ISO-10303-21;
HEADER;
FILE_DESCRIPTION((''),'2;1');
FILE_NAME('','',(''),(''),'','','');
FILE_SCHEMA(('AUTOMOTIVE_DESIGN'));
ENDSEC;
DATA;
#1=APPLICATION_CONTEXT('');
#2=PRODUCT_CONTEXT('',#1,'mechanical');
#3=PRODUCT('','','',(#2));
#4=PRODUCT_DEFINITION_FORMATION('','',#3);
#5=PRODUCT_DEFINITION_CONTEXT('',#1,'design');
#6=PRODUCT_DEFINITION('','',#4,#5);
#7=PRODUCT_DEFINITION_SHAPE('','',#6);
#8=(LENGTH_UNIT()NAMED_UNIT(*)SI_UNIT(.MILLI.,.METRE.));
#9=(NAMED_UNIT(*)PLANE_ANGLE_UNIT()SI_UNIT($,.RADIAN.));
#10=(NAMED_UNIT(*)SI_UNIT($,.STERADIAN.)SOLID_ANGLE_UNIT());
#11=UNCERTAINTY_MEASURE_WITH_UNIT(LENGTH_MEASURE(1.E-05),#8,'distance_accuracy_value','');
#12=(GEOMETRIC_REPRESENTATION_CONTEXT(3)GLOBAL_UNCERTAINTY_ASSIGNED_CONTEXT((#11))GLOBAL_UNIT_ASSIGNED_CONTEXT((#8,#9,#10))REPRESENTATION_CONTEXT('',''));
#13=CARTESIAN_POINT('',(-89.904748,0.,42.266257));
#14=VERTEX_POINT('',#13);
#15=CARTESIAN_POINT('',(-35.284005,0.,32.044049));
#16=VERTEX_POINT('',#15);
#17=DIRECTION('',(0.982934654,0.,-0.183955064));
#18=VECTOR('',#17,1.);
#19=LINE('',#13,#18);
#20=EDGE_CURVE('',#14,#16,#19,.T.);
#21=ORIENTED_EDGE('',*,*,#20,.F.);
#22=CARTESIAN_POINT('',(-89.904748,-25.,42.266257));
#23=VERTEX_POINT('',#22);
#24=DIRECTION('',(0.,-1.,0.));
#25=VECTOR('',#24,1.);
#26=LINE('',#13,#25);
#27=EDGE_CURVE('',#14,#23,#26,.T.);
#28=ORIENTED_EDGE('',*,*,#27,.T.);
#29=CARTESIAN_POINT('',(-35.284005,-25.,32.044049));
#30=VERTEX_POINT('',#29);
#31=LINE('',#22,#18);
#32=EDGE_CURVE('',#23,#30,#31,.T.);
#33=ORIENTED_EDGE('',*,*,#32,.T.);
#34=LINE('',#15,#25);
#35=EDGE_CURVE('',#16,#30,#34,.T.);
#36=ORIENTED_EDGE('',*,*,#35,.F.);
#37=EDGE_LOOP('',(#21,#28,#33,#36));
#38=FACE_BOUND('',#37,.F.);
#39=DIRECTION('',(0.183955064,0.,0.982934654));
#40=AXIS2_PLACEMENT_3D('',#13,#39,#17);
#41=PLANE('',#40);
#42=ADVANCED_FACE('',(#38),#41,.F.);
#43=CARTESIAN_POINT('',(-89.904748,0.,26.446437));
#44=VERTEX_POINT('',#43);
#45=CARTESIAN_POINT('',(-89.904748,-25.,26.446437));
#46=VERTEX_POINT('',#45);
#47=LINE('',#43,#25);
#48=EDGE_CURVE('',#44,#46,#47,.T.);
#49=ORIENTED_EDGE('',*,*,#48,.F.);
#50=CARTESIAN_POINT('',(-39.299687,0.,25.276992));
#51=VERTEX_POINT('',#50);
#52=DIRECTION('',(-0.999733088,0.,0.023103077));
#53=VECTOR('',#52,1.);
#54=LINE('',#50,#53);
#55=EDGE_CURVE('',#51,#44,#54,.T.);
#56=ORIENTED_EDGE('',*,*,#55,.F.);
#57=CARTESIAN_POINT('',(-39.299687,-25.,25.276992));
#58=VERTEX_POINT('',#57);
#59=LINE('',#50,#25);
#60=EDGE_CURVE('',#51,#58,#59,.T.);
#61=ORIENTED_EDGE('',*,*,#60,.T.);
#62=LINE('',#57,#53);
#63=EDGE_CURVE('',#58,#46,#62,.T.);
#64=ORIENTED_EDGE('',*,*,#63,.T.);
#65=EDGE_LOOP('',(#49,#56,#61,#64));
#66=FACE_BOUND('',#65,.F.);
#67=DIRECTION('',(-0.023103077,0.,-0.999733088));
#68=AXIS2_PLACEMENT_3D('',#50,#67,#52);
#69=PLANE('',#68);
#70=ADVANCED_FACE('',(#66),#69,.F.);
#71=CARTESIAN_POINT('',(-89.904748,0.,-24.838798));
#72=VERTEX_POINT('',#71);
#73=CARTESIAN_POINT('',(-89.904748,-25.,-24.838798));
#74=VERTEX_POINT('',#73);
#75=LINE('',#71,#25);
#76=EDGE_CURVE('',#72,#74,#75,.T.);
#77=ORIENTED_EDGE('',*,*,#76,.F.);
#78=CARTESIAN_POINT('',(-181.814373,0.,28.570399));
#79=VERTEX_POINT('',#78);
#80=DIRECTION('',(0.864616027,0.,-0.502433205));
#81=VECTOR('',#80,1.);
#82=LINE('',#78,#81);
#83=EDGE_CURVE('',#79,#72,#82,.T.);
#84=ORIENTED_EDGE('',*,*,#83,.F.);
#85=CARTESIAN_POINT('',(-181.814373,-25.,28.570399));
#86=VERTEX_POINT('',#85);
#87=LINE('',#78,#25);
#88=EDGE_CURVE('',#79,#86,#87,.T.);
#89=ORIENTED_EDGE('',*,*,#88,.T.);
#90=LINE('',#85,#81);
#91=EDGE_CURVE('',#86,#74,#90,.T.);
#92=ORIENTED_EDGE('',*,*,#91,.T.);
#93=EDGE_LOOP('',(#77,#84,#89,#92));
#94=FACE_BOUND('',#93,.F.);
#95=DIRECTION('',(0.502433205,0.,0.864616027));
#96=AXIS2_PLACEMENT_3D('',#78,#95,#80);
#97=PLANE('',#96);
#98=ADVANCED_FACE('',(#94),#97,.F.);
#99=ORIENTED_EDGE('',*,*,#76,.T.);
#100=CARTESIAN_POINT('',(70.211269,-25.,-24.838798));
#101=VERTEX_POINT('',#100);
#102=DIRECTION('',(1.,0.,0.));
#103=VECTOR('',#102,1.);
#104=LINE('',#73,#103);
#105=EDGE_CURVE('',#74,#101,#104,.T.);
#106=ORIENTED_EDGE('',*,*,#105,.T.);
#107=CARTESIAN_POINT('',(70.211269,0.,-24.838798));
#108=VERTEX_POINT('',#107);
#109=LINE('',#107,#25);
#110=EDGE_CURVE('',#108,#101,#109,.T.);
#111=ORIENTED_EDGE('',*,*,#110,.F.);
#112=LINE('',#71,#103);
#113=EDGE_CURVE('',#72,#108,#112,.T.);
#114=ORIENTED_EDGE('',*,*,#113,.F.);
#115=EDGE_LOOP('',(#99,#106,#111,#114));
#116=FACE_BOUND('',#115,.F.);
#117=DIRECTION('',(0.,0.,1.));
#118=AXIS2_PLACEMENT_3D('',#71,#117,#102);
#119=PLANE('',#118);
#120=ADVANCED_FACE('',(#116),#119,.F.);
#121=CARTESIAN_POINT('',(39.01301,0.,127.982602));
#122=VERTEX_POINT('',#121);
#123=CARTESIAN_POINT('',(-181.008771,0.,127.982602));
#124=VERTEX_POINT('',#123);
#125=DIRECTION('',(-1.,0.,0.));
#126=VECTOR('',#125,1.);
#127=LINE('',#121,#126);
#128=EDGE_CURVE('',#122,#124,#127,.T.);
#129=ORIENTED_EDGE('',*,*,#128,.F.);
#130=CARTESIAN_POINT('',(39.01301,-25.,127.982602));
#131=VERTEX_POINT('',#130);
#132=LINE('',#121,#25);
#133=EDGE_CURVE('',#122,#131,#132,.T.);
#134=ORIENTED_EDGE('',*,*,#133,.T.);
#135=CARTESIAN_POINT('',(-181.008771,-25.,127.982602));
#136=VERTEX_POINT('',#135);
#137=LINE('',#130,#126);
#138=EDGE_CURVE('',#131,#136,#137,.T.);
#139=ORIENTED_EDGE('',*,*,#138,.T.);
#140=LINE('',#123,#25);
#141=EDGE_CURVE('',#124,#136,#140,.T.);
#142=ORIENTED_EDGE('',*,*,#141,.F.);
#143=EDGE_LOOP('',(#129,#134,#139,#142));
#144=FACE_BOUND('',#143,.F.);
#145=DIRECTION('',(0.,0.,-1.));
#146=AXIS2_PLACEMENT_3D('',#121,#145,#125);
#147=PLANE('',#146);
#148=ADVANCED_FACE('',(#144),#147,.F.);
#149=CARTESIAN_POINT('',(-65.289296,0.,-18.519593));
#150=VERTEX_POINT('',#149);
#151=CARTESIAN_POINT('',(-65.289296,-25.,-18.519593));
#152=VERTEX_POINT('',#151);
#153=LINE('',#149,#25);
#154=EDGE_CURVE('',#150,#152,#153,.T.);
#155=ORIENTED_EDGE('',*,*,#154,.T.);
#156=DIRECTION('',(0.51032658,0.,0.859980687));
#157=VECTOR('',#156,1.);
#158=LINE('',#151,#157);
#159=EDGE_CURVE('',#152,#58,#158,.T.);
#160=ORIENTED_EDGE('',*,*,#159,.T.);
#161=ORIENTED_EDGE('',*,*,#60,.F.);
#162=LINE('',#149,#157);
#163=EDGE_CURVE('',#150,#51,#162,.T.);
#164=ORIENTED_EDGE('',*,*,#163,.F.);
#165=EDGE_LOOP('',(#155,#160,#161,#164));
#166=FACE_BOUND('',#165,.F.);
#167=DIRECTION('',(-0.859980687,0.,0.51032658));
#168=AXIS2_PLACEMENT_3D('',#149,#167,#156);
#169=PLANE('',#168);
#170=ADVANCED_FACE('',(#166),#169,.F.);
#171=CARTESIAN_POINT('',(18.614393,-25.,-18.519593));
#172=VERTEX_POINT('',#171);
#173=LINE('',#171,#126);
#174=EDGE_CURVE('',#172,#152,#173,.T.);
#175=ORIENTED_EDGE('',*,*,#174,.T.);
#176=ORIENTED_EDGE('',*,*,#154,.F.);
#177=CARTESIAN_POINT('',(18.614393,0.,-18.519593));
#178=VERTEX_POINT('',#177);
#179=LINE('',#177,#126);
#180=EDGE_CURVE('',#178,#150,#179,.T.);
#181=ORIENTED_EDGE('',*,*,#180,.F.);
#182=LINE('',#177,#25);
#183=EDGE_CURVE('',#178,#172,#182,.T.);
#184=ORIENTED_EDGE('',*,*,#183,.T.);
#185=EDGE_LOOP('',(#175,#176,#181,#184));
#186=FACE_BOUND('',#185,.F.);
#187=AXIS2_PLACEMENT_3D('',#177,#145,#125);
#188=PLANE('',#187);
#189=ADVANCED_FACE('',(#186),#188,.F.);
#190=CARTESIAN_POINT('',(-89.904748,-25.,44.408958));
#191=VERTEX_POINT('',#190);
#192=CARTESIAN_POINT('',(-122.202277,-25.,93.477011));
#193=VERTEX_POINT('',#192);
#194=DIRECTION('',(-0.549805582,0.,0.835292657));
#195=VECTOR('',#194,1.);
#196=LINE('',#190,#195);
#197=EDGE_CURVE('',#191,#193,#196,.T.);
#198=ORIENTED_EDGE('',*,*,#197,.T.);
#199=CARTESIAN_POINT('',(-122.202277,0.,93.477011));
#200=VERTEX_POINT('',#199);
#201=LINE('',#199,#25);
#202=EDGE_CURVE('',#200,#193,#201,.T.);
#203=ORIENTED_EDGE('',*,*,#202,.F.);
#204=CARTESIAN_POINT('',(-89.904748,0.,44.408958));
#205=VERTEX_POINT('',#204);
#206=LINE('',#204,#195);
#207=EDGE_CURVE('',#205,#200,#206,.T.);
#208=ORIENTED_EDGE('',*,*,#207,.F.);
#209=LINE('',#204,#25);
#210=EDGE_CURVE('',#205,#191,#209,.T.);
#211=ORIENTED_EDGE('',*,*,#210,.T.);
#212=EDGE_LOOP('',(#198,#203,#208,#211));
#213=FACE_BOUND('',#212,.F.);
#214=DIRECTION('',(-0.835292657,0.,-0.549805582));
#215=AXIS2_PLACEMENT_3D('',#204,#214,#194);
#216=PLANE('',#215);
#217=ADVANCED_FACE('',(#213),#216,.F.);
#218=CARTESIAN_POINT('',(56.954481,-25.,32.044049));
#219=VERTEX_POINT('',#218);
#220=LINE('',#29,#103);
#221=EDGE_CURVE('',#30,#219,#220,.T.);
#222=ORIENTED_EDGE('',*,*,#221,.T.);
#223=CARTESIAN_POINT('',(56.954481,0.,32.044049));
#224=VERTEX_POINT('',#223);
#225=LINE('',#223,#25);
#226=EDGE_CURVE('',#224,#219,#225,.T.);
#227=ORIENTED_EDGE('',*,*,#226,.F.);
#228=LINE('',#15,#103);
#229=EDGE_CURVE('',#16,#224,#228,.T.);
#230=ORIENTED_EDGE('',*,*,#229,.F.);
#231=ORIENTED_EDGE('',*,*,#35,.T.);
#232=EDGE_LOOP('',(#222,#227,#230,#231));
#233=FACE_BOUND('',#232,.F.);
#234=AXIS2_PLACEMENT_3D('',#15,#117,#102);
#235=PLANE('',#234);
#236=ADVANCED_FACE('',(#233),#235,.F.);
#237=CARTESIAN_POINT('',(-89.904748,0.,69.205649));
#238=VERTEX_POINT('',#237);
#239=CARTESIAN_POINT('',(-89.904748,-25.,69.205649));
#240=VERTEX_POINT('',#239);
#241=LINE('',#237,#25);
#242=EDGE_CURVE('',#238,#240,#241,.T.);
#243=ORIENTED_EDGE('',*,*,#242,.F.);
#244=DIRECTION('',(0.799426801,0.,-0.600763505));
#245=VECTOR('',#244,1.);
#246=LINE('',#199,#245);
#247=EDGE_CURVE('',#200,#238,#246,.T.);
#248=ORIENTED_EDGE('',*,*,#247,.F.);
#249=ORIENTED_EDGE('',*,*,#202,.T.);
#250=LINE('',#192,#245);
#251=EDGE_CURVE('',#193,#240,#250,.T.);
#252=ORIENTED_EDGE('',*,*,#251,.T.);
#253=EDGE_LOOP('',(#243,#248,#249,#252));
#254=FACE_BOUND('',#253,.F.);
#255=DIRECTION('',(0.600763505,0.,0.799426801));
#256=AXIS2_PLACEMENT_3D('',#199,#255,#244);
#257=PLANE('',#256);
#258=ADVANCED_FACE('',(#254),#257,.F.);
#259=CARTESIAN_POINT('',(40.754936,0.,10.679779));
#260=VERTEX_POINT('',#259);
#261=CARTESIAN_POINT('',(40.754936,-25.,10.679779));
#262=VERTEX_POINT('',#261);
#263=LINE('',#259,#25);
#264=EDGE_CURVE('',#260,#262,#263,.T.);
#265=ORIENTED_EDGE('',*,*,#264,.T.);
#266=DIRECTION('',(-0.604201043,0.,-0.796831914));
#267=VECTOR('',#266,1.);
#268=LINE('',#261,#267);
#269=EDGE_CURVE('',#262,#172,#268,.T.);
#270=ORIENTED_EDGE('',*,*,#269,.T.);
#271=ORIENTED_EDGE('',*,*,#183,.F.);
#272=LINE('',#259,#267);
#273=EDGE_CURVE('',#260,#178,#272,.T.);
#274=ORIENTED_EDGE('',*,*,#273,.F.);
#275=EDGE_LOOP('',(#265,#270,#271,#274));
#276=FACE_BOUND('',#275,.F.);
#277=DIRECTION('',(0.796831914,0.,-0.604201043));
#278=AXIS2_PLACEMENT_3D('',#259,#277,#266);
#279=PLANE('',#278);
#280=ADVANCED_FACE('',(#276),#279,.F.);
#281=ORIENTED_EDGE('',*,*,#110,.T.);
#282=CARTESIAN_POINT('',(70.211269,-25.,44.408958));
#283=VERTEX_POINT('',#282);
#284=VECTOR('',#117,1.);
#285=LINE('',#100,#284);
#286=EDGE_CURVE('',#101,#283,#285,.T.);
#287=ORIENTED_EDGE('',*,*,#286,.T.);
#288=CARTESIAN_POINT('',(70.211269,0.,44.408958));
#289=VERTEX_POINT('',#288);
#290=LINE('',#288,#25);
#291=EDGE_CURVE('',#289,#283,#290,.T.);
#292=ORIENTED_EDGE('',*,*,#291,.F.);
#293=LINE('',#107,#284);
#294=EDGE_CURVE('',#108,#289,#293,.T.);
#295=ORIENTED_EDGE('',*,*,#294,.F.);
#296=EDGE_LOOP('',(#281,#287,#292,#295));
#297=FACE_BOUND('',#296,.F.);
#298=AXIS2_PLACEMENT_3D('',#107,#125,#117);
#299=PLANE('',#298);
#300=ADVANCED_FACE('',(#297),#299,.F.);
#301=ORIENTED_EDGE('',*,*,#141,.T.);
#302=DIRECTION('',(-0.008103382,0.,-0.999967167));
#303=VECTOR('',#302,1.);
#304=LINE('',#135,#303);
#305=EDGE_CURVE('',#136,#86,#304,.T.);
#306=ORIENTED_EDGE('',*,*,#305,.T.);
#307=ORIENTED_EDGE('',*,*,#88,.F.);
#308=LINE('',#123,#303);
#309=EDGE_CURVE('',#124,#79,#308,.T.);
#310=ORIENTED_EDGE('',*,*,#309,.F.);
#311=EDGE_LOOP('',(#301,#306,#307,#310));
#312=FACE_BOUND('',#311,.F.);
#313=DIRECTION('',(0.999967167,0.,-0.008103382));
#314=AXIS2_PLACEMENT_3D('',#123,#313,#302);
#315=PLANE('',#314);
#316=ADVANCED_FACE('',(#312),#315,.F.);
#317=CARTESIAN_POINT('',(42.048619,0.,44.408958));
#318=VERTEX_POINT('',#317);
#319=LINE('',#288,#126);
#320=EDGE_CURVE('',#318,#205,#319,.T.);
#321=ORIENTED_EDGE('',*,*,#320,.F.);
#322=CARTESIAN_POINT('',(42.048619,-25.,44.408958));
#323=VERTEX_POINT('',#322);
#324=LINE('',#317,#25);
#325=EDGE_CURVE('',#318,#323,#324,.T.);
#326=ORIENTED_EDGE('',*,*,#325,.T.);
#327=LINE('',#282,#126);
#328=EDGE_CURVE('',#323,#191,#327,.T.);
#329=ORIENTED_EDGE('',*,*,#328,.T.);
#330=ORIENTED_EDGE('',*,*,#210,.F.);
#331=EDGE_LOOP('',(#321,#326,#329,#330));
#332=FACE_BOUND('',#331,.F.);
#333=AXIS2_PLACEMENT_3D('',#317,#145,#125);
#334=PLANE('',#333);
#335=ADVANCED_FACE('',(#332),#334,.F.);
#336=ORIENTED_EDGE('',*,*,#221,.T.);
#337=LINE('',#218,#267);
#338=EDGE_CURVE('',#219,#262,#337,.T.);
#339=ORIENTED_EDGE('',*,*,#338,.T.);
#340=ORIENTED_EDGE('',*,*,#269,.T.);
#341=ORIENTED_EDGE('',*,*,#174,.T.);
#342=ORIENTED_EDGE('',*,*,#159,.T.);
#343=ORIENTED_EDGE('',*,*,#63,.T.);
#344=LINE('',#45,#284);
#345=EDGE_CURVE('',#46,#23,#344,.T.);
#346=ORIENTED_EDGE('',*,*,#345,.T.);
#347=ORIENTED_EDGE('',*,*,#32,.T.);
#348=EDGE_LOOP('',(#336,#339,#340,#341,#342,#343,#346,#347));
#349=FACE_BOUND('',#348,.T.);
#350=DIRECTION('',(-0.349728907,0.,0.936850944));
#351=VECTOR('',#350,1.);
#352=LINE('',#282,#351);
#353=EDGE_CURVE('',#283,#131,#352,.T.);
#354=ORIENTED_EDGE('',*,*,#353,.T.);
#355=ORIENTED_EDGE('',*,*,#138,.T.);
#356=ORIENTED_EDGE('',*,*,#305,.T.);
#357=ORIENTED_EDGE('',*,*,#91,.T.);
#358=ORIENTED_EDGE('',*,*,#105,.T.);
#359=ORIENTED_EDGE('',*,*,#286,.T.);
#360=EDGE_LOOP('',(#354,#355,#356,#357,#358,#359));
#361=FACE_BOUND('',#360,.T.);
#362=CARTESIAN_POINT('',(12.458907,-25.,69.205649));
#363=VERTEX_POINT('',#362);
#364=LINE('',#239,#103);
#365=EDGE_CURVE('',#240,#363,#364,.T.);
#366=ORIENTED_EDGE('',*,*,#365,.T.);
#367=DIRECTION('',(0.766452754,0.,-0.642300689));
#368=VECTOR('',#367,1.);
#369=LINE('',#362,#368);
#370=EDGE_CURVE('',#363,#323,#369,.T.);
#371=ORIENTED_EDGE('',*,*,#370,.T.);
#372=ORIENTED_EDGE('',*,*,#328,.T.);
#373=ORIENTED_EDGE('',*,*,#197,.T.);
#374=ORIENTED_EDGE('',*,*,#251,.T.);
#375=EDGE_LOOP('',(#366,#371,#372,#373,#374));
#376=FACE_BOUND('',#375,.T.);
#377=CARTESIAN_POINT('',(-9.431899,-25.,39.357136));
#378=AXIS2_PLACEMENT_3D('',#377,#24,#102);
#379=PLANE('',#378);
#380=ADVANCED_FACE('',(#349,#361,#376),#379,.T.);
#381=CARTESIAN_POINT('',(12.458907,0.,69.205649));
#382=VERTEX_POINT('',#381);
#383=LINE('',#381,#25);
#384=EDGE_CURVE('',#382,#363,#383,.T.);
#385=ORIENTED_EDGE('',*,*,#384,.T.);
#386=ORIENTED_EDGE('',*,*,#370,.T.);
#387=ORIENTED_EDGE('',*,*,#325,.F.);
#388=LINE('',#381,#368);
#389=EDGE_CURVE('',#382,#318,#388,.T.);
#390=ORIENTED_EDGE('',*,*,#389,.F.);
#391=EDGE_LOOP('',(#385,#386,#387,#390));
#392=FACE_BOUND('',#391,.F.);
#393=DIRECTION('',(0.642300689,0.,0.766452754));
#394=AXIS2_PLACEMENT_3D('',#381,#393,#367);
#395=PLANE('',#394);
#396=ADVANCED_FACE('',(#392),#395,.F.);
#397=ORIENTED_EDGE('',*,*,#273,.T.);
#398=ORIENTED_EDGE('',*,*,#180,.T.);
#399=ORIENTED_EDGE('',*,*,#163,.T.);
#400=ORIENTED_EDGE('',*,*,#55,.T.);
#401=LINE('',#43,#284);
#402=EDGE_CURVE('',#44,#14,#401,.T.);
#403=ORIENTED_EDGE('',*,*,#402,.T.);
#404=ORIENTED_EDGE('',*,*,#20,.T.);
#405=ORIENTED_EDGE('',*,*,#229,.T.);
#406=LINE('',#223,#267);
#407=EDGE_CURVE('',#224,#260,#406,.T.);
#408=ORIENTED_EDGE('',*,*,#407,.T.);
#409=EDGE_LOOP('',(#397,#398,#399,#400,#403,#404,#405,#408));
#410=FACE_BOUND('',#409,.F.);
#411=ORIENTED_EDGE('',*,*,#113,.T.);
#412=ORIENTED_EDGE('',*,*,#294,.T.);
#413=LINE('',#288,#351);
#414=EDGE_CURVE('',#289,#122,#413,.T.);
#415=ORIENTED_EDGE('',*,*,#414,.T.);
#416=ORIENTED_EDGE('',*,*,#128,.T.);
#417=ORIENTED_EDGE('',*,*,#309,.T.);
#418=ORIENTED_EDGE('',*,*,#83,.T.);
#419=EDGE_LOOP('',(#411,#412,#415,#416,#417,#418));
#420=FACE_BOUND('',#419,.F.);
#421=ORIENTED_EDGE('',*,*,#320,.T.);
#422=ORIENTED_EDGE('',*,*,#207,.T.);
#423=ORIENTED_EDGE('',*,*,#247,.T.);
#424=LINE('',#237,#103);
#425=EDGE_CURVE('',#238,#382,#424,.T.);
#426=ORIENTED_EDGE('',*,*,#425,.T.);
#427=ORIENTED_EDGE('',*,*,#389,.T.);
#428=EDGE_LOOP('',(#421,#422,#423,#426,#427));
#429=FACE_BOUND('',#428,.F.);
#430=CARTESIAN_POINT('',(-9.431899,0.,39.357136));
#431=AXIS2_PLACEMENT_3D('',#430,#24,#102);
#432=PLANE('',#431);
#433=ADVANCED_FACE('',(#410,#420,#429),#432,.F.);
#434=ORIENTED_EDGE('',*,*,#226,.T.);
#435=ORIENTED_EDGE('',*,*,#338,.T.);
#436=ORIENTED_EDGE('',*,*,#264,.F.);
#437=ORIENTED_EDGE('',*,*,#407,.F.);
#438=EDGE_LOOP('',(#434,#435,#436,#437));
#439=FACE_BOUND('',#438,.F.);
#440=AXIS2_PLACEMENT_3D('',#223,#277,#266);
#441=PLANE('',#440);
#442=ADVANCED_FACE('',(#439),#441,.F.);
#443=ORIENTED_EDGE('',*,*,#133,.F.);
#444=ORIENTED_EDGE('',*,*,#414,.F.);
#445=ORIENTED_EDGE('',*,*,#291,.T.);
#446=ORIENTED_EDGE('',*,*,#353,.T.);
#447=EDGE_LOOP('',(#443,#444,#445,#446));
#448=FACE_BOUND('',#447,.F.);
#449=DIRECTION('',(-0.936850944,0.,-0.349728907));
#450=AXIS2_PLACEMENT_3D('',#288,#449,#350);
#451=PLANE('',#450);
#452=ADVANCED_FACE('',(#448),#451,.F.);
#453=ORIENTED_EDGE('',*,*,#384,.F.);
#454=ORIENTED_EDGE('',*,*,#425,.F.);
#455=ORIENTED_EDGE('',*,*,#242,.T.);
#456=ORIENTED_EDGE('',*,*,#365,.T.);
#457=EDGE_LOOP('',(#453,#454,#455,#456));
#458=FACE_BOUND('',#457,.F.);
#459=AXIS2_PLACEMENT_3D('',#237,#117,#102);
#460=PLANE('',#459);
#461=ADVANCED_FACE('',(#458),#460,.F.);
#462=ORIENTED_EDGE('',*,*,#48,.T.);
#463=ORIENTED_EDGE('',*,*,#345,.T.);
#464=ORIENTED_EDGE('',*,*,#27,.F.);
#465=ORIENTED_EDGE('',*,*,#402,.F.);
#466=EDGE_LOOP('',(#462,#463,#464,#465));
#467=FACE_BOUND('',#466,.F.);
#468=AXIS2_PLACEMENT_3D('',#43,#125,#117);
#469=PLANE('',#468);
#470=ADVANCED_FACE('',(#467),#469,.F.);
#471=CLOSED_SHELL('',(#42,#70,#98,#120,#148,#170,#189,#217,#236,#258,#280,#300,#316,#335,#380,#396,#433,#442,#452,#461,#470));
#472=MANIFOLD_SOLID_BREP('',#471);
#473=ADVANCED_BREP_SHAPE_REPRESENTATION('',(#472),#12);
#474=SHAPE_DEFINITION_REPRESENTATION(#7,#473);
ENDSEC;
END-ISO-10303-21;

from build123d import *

# Parameters (mm, degrees)
F1_DEPTH = 25


with BuildPart() as f1:
    # F0 (on Front) → F1 (new body)
    with BuildSketch(Plane.XZ):
        Polygon((-89.9047479033, 42.2662571073), (-35.2840051055, 32.0440493524), (56.9544807076, 32.0440493524), (70.2112689614, 44.4089584053), (42.0486187137, 44.4089584053), (-89.9047479033, 44.4089584053), align=None)
        Polygon((70.2112689614, 44.4089584053), (56.9544807076, 32.0440493524), (40.7549355767, 10.6797787951), (70.2112689614, -24.8387977481), align=None)
        Polygon((-65.2892962098, -18.5195934027), (-39.2996874644, 25.2769919188), (-89.9047479033, 26.4464366573), (-89.9047479033, -24.8387977481), align=None)
        Polygon((-181.8143725395, 28.5703986883), (-89.9047479033, 42.2662571073), (-89.9047479033, 44.4089584053), (-181.0087710619, 127.9826015234), align=None)
        Polygon((-89.9047479033, 26.4464366573), (-89.9047479033, 42.2662571073), (-181.8143725395, 28.5703986883), align=None)
        Polygon((70.2112689614, -24.8387977481), (40.7549355767, 10.6797787951), (18.6143927276, -18.5195934027), align=None)
        Polygon((42.0486187137, 44.4089584053), (70.2112689614, 44.4089584053), (24.6596280485, 93.4770107269), (-122.2022771835, 93.4770107269), (-89.9047479033, 69.2056491971), (12.4589074403, 69.2056491971), align=None)
        Polygon((24.6596280485, 93.4770107269), (70.2112689614, 44.4089584053), (39.0130095184, 127.9826015234), (-181.0087710619, 127.9826015234), (-89.9047479033, 44.4089584053), (-122.2022771835, 93.4770107269), align=None)
        Polygon((18.6143927276, -18.5195934027), (-65.2892962098, -18.5195934027), (-89.9047479033, -24.8387977481), (70.2112689614, -24.8387977481), align=None)
        Polygon((-89.9047479033, -24.8387977481), (-89.9047479033, 26.4464366573), (-181.8143725395, 28.5703986883), align=None)
    extrude(amount=F1_DEPTH)


solid = f1.part
